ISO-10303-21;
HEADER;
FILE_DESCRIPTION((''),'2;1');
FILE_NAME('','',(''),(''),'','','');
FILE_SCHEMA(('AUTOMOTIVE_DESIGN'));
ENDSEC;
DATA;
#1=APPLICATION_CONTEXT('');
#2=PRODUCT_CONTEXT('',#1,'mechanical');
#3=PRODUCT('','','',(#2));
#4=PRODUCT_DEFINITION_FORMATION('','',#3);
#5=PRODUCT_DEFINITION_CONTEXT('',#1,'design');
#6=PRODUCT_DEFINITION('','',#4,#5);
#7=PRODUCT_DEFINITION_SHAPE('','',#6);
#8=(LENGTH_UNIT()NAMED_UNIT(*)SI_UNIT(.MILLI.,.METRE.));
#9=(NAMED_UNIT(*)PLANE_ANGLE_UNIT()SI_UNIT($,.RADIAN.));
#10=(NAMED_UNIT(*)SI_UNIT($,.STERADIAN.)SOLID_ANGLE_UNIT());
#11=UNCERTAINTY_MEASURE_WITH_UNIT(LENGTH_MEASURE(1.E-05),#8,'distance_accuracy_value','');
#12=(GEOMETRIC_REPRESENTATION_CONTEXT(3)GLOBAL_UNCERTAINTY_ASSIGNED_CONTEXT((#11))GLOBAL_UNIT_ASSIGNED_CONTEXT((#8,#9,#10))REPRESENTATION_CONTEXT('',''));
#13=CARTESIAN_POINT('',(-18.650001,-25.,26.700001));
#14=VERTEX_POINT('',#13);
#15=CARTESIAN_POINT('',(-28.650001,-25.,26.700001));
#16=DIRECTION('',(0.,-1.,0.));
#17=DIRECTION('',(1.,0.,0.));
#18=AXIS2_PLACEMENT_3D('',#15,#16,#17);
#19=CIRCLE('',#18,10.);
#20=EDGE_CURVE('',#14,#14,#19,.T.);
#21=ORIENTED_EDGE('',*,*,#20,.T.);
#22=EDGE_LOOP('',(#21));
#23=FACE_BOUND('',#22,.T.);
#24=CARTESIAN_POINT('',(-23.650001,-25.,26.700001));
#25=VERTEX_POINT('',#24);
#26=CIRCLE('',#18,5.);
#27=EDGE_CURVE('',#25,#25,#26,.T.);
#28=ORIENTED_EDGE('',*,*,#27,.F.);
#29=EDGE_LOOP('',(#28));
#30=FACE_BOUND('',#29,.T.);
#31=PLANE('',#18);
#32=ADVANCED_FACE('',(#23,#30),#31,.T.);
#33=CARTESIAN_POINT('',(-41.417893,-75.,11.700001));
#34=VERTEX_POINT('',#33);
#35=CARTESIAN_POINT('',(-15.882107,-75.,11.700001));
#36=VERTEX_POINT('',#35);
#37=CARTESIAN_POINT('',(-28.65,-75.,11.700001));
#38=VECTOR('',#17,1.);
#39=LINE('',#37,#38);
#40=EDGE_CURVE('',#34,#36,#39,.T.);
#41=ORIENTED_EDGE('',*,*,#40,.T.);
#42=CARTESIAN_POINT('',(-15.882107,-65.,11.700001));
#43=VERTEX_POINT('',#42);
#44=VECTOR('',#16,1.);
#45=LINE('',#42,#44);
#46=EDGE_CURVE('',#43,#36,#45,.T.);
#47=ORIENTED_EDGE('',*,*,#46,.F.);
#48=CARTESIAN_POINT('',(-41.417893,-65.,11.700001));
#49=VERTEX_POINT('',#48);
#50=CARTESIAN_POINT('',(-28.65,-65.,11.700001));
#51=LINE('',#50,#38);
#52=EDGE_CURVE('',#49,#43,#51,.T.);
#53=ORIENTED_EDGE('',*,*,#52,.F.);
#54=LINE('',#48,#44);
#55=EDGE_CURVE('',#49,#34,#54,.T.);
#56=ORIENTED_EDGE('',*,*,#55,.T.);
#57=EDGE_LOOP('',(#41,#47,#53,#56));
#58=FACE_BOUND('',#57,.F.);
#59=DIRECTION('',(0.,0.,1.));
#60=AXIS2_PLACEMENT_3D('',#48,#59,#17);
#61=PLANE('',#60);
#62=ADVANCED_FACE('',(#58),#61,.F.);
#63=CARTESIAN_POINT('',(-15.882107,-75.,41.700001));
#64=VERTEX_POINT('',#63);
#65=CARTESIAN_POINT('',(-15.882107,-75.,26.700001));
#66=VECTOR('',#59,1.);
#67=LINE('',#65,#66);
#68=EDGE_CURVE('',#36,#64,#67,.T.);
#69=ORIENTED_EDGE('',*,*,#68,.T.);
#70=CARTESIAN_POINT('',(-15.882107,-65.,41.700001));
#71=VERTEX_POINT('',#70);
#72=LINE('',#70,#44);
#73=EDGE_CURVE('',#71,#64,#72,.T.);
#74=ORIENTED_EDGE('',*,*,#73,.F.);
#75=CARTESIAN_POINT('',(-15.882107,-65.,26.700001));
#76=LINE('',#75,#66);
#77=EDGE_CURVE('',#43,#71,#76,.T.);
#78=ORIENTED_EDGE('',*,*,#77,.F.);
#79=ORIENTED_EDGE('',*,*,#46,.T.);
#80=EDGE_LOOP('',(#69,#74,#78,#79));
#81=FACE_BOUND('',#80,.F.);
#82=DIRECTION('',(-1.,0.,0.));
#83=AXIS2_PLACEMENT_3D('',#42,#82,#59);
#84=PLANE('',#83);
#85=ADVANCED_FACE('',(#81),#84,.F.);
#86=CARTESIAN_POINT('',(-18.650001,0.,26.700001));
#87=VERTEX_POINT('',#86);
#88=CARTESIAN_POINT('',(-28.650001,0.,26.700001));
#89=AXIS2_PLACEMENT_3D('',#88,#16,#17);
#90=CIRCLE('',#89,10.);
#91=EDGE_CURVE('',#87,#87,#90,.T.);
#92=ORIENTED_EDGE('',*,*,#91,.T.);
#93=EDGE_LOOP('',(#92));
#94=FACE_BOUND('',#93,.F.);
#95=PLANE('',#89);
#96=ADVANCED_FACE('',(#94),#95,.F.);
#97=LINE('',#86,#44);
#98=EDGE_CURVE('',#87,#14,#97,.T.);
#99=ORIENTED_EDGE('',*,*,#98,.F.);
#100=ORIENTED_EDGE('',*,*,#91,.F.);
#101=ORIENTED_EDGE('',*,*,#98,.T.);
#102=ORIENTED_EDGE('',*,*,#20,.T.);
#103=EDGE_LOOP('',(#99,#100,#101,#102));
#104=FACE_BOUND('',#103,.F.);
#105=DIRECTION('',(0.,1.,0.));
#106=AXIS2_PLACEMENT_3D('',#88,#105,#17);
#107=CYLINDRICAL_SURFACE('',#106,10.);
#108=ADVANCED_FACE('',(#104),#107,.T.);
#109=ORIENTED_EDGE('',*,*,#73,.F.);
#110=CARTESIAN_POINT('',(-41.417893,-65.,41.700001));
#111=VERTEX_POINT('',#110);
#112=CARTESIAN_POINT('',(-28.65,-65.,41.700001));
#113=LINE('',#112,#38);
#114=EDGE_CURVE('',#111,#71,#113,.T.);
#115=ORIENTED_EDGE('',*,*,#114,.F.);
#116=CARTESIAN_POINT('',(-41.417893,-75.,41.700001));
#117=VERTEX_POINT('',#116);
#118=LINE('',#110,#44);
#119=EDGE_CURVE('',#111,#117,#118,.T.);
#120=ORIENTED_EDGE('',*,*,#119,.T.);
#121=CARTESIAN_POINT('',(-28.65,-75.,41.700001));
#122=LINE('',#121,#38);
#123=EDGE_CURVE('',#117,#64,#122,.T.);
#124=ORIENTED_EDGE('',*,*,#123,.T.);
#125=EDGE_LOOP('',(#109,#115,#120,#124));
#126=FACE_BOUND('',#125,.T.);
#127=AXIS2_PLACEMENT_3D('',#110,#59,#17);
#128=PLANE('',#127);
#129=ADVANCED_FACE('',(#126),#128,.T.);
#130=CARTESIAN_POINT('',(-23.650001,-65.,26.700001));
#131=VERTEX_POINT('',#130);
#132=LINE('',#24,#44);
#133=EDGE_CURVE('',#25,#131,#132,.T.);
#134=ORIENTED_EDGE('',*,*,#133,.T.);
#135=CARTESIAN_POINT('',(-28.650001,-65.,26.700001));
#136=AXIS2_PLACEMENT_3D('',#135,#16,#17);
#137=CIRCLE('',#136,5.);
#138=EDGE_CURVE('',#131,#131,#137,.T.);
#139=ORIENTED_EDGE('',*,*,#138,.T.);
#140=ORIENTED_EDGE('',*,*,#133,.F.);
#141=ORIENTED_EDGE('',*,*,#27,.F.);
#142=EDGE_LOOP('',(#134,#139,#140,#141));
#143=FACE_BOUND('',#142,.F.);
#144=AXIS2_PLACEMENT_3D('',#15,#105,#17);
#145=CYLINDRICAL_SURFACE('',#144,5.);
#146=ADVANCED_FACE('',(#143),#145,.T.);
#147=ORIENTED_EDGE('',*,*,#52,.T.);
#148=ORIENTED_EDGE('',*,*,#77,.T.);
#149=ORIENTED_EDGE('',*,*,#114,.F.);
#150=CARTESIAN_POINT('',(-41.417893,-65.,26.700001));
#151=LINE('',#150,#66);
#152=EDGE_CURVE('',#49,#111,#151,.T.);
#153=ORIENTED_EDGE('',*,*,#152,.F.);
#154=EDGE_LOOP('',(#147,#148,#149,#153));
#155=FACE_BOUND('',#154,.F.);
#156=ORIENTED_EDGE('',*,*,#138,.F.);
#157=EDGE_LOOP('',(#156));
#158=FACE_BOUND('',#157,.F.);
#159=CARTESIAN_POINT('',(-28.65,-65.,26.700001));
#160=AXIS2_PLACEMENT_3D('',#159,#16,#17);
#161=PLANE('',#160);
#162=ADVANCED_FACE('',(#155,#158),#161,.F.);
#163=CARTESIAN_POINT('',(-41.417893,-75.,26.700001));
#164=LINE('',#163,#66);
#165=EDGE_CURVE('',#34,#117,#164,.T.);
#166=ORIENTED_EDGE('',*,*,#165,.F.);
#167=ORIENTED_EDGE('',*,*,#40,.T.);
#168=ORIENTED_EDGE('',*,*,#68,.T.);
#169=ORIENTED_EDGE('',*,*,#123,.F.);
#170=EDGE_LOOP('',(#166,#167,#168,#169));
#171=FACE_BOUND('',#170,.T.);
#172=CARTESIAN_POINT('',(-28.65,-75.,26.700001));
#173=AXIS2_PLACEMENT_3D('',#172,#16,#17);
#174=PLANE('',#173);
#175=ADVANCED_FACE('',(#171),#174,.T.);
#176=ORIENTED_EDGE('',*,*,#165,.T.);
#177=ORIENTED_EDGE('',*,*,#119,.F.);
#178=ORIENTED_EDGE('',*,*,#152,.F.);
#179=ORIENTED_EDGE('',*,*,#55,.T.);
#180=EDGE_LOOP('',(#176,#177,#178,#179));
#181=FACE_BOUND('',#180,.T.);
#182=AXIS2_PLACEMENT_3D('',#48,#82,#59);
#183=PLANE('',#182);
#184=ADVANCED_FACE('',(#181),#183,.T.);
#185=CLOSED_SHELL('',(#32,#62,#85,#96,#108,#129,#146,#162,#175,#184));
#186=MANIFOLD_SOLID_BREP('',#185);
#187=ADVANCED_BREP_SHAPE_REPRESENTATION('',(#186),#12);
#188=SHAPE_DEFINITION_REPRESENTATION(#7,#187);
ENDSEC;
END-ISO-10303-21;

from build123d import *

# Parameters (mm, degrees)
F0_R     = 10
F1_DEPTH = 25
F2_R     = 5
F3_DEPTH = 40
F4_W     = 25.535787
F4_H     = 30
F5_DEPTH = 10


with BuildPart() as f1:
    # F0 (on Front) → F1 (new body)
    with BuildSketch(Plane.XZ):
        with Locations((-28.650001, 26.700001)):
            Circle(F0_R)
    extrude(amount=F1_DEPTH)

    # F2 (on face) → F3 (join)
    with BuildSketch(Plane.XZ.offset(25)):
        with Locations((-28.650001, 26.700001)):
            Circle(F2_R)
    extrude(amount=F3_DEPTH)

    # F4 (on face) → F5 (join)
    with BuildSketch(Plane.XZ.offset(65)):
        with Locations((-28.65, 26.700001)):
            Rectangle(F4_W, F4_H)
    extrude(amount=F5_DEPTH)


solid = f1.part
